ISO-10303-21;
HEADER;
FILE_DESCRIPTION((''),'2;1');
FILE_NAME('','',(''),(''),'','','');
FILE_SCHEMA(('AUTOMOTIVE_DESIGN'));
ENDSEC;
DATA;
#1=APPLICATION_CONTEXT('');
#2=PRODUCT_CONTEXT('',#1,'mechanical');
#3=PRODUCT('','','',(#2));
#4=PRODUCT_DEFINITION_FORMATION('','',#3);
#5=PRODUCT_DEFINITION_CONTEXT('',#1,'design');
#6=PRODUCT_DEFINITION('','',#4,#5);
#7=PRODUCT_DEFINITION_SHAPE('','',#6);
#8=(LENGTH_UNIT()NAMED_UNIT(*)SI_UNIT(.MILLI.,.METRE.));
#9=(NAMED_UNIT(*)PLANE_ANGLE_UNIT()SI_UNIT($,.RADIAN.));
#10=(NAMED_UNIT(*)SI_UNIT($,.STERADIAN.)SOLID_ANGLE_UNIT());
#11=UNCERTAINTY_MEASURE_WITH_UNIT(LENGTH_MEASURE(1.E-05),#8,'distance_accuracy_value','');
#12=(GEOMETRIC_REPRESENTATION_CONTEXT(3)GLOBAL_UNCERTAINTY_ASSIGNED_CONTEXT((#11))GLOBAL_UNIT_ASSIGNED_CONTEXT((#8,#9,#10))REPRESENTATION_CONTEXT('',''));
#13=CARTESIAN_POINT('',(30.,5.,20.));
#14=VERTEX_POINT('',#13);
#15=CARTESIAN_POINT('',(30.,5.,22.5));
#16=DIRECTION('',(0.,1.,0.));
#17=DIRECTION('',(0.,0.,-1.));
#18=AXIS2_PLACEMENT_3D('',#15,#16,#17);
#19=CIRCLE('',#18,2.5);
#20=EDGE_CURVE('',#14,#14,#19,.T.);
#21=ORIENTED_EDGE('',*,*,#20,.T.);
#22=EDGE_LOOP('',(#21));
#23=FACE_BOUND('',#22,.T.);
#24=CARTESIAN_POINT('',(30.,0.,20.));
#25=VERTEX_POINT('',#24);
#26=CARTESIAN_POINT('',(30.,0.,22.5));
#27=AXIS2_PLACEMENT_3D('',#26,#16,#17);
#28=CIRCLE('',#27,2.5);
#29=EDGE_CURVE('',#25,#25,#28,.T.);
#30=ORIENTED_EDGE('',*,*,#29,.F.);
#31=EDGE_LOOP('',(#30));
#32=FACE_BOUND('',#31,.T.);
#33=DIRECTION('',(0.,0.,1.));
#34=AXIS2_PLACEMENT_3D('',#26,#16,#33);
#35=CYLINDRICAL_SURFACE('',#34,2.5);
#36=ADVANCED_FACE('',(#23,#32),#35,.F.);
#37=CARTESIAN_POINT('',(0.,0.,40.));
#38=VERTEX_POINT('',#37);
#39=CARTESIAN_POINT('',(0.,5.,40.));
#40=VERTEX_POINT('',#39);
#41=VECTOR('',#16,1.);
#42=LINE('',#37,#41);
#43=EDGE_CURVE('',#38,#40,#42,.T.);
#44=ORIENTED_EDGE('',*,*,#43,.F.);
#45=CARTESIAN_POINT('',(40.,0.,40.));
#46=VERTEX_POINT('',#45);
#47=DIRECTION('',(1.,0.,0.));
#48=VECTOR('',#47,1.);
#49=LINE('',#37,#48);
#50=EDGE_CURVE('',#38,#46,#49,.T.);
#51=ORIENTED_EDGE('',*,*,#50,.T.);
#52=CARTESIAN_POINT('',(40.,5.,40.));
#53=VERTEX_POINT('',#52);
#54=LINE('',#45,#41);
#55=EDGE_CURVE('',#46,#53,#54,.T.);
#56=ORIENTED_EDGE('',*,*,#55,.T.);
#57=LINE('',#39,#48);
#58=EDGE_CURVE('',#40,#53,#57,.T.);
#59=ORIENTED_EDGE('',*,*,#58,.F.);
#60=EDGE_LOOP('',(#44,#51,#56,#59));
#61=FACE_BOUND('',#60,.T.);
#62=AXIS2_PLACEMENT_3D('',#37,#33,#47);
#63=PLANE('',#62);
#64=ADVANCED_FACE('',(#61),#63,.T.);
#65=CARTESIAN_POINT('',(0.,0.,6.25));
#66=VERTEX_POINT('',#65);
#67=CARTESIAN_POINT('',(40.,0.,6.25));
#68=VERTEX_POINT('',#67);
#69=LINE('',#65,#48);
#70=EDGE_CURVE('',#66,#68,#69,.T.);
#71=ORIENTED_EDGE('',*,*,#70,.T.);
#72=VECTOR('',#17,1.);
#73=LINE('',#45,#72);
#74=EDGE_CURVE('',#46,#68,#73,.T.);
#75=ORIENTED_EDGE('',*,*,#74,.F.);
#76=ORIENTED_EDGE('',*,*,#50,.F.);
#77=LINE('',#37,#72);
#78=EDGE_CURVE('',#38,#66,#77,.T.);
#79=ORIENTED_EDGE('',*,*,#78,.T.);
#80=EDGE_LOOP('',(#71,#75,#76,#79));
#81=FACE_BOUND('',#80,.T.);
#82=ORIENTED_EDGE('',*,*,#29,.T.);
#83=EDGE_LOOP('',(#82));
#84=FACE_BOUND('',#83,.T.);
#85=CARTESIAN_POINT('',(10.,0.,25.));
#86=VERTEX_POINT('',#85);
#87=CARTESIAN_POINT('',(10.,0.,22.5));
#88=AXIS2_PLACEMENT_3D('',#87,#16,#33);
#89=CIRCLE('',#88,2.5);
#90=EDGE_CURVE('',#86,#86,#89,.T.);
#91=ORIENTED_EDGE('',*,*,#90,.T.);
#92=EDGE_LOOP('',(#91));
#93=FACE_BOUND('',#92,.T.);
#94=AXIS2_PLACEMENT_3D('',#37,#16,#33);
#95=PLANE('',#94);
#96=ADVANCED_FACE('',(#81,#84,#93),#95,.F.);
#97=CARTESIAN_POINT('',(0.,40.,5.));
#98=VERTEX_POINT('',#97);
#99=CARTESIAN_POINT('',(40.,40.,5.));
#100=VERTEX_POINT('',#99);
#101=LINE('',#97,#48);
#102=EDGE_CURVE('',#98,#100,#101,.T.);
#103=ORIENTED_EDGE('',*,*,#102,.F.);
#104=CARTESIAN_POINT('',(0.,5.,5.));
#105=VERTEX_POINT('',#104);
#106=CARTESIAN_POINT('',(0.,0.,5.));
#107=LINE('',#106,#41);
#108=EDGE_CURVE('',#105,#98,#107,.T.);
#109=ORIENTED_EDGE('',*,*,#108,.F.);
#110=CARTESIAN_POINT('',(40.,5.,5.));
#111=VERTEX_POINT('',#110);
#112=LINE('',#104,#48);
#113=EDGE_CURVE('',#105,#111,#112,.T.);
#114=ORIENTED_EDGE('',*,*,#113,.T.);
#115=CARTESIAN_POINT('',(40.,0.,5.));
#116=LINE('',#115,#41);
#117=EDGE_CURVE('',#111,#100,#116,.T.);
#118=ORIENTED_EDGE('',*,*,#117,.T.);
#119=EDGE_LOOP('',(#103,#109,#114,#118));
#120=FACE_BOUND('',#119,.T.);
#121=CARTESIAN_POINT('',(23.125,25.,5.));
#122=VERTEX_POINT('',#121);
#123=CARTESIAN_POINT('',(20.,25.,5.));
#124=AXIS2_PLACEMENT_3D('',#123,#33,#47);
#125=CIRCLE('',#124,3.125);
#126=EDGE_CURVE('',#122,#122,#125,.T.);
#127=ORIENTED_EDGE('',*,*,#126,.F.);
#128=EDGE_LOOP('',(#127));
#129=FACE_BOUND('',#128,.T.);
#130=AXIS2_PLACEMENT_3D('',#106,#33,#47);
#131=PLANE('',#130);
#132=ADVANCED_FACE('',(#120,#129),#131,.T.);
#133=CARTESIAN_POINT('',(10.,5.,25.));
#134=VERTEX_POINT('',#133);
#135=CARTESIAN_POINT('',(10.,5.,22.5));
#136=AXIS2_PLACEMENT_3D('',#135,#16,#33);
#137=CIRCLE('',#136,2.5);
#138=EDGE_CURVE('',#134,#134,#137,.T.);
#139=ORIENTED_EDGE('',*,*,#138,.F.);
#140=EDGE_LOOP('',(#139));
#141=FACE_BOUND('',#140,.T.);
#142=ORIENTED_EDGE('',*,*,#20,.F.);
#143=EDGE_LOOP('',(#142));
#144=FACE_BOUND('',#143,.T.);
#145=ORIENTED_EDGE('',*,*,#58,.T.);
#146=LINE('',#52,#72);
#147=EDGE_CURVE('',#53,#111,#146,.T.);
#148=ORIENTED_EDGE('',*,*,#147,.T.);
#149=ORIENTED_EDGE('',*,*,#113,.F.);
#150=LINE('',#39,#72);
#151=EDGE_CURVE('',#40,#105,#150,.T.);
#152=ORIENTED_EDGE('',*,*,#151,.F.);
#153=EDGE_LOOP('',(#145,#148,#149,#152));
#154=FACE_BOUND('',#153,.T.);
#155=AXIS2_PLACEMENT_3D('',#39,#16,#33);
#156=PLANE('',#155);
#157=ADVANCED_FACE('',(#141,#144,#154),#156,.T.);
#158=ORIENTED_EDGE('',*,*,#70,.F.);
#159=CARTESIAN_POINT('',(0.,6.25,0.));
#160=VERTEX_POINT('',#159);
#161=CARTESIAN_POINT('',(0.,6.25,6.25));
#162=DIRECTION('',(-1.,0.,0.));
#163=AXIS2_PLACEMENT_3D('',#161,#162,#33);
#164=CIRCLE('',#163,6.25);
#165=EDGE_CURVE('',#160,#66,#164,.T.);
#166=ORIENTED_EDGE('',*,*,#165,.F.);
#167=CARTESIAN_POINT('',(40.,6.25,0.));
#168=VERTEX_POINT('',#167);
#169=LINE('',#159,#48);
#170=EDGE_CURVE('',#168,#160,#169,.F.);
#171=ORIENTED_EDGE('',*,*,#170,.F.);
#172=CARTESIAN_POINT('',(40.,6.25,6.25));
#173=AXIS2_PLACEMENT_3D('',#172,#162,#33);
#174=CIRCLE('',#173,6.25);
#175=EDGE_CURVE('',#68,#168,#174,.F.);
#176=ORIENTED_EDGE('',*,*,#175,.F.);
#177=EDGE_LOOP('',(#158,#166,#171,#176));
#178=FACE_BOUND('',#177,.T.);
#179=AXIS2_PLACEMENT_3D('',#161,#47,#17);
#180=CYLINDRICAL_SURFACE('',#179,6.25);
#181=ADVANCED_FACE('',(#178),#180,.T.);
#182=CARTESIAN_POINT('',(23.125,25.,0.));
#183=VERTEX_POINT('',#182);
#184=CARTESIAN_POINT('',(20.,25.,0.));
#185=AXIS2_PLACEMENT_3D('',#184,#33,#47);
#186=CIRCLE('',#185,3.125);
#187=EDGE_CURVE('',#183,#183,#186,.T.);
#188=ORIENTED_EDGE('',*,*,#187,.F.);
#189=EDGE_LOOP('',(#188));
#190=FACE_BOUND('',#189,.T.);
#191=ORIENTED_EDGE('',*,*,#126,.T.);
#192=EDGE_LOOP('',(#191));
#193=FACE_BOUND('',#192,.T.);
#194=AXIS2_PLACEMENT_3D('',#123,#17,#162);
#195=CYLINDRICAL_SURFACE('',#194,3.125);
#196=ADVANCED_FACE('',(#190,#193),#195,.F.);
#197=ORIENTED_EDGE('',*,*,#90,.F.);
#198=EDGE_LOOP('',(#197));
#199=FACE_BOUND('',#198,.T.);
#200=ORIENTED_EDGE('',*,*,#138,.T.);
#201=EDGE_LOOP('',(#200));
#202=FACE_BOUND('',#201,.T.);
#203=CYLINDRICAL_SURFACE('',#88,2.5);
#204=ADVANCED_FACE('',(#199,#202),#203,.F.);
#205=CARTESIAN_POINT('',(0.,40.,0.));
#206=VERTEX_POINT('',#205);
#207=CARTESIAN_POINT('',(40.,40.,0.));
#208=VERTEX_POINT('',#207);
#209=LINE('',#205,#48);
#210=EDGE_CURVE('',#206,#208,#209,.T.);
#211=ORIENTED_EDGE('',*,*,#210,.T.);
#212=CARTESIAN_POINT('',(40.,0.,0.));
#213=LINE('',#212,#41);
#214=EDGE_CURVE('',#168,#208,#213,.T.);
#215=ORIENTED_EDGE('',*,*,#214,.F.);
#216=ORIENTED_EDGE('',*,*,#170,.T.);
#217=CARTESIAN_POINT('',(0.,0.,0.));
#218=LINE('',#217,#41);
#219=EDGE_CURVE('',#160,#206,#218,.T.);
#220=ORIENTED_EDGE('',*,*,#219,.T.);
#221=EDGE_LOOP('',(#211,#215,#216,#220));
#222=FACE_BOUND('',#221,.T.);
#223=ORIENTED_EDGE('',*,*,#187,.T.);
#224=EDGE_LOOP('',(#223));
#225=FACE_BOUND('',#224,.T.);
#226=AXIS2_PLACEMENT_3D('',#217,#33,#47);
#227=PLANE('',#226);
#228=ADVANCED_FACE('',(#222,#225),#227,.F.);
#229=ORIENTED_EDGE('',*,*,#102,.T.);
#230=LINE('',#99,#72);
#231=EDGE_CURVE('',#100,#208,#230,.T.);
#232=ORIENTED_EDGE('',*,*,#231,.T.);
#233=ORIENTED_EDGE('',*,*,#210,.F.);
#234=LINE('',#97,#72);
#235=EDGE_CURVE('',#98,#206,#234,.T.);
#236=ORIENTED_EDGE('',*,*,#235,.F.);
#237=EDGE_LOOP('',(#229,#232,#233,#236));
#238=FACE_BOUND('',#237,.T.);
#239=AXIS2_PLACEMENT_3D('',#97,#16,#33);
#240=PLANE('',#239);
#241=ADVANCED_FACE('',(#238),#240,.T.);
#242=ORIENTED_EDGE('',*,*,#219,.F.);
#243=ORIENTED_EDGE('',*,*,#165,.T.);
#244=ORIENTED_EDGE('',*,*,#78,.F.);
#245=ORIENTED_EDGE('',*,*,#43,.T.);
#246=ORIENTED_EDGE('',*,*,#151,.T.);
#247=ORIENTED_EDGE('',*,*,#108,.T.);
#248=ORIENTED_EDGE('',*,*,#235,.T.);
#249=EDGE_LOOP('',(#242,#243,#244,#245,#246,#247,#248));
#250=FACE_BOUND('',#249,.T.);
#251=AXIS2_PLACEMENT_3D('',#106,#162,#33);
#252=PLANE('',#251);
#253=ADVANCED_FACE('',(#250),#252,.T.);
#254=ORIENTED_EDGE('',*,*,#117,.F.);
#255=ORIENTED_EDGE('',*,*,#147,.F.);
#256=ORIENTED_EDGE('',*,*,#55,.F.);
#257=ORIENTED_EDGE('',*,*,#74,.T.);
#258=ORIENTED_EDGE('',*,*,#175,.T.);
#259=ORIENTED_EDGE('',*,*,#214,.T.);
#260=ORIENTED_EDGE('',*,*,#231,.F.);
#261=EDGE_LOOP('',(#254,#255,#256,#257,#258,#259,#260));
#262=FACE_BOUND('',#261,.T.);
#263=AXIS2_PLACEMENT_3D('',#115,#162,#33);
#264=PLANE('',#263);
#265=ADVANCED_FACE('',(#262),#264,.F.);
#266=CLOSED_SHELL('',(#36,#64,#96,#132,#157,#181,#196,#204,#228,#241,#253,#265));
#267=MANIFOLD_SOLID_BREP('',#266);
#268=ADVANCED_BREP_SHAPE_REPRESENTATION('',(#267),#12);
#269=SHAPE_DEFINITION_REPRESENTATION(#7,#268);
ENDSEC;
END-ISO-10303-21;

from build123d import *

# Parameters (mm, degrees)
SKETCH1_W           = 40
SKETCH1_H           = 35
SKETCH1_R           = 3.125
BOSS_EXTRUDE1_DEPTH = 5
SKETCH1_3_W         = 40
SKETCH1_3_H         = 5
BOSS_EXTRUDE2_DEPTH = 40
FILLET1_R           = 6.25
SKETCH2_R           = 2.5
CUT_EXTRUDE1_DEPTH  = 67.520673478


with BuildPart() as part:
    # Sketch1 → Boss-Extrude1 (new body)
    with BuildSketch(Plane.XY):
        with Locations((20, 22.5)):
            Rectangle(SKETCH1_W, SKETCH1_H)
        with Locations((20, 25)):
            Circle(SKETCH1_R, mode=Mode.SUBTRACT)
    extrude(amount=BOSS_EXTRUDE1_DEPTH)

    # Sketch1<3> → Boss-Extrude2 (add)
    with BuildSketch(Plane.XY):
        with Locations((20, 2.5)):
            Rectangle(SKETCH1_3_W, SKETCH1_3_H)
    extrude(amount=BOSS_EXTRUDE2_DEPTH)

    # Fillet1
    fillet1_edges = [part.edges().sort_by_distance(p)[0] for p in [
        (20, 0, 0),
    ]]
    fillet(fillet1_edges, radius=FILLET1_R)

    # Sketch2 → Cut-Extrude1 (cut, through all)
    with BuildSketch(Plane(origin=(0, 5, 0), x_dir=(1, 0, 0), z_dir=(0, 1, 0))):
        with Locations((10, -22.5)):
            Circle(SKETCH2_R)
        with Locations((30, -22.5)):
            Circle(SKETCH2_R)
    extrude(amount=-CUT_EXTRUDE1_DEPTH, mode=Mode.SUBTRACT)


solid = part.part
